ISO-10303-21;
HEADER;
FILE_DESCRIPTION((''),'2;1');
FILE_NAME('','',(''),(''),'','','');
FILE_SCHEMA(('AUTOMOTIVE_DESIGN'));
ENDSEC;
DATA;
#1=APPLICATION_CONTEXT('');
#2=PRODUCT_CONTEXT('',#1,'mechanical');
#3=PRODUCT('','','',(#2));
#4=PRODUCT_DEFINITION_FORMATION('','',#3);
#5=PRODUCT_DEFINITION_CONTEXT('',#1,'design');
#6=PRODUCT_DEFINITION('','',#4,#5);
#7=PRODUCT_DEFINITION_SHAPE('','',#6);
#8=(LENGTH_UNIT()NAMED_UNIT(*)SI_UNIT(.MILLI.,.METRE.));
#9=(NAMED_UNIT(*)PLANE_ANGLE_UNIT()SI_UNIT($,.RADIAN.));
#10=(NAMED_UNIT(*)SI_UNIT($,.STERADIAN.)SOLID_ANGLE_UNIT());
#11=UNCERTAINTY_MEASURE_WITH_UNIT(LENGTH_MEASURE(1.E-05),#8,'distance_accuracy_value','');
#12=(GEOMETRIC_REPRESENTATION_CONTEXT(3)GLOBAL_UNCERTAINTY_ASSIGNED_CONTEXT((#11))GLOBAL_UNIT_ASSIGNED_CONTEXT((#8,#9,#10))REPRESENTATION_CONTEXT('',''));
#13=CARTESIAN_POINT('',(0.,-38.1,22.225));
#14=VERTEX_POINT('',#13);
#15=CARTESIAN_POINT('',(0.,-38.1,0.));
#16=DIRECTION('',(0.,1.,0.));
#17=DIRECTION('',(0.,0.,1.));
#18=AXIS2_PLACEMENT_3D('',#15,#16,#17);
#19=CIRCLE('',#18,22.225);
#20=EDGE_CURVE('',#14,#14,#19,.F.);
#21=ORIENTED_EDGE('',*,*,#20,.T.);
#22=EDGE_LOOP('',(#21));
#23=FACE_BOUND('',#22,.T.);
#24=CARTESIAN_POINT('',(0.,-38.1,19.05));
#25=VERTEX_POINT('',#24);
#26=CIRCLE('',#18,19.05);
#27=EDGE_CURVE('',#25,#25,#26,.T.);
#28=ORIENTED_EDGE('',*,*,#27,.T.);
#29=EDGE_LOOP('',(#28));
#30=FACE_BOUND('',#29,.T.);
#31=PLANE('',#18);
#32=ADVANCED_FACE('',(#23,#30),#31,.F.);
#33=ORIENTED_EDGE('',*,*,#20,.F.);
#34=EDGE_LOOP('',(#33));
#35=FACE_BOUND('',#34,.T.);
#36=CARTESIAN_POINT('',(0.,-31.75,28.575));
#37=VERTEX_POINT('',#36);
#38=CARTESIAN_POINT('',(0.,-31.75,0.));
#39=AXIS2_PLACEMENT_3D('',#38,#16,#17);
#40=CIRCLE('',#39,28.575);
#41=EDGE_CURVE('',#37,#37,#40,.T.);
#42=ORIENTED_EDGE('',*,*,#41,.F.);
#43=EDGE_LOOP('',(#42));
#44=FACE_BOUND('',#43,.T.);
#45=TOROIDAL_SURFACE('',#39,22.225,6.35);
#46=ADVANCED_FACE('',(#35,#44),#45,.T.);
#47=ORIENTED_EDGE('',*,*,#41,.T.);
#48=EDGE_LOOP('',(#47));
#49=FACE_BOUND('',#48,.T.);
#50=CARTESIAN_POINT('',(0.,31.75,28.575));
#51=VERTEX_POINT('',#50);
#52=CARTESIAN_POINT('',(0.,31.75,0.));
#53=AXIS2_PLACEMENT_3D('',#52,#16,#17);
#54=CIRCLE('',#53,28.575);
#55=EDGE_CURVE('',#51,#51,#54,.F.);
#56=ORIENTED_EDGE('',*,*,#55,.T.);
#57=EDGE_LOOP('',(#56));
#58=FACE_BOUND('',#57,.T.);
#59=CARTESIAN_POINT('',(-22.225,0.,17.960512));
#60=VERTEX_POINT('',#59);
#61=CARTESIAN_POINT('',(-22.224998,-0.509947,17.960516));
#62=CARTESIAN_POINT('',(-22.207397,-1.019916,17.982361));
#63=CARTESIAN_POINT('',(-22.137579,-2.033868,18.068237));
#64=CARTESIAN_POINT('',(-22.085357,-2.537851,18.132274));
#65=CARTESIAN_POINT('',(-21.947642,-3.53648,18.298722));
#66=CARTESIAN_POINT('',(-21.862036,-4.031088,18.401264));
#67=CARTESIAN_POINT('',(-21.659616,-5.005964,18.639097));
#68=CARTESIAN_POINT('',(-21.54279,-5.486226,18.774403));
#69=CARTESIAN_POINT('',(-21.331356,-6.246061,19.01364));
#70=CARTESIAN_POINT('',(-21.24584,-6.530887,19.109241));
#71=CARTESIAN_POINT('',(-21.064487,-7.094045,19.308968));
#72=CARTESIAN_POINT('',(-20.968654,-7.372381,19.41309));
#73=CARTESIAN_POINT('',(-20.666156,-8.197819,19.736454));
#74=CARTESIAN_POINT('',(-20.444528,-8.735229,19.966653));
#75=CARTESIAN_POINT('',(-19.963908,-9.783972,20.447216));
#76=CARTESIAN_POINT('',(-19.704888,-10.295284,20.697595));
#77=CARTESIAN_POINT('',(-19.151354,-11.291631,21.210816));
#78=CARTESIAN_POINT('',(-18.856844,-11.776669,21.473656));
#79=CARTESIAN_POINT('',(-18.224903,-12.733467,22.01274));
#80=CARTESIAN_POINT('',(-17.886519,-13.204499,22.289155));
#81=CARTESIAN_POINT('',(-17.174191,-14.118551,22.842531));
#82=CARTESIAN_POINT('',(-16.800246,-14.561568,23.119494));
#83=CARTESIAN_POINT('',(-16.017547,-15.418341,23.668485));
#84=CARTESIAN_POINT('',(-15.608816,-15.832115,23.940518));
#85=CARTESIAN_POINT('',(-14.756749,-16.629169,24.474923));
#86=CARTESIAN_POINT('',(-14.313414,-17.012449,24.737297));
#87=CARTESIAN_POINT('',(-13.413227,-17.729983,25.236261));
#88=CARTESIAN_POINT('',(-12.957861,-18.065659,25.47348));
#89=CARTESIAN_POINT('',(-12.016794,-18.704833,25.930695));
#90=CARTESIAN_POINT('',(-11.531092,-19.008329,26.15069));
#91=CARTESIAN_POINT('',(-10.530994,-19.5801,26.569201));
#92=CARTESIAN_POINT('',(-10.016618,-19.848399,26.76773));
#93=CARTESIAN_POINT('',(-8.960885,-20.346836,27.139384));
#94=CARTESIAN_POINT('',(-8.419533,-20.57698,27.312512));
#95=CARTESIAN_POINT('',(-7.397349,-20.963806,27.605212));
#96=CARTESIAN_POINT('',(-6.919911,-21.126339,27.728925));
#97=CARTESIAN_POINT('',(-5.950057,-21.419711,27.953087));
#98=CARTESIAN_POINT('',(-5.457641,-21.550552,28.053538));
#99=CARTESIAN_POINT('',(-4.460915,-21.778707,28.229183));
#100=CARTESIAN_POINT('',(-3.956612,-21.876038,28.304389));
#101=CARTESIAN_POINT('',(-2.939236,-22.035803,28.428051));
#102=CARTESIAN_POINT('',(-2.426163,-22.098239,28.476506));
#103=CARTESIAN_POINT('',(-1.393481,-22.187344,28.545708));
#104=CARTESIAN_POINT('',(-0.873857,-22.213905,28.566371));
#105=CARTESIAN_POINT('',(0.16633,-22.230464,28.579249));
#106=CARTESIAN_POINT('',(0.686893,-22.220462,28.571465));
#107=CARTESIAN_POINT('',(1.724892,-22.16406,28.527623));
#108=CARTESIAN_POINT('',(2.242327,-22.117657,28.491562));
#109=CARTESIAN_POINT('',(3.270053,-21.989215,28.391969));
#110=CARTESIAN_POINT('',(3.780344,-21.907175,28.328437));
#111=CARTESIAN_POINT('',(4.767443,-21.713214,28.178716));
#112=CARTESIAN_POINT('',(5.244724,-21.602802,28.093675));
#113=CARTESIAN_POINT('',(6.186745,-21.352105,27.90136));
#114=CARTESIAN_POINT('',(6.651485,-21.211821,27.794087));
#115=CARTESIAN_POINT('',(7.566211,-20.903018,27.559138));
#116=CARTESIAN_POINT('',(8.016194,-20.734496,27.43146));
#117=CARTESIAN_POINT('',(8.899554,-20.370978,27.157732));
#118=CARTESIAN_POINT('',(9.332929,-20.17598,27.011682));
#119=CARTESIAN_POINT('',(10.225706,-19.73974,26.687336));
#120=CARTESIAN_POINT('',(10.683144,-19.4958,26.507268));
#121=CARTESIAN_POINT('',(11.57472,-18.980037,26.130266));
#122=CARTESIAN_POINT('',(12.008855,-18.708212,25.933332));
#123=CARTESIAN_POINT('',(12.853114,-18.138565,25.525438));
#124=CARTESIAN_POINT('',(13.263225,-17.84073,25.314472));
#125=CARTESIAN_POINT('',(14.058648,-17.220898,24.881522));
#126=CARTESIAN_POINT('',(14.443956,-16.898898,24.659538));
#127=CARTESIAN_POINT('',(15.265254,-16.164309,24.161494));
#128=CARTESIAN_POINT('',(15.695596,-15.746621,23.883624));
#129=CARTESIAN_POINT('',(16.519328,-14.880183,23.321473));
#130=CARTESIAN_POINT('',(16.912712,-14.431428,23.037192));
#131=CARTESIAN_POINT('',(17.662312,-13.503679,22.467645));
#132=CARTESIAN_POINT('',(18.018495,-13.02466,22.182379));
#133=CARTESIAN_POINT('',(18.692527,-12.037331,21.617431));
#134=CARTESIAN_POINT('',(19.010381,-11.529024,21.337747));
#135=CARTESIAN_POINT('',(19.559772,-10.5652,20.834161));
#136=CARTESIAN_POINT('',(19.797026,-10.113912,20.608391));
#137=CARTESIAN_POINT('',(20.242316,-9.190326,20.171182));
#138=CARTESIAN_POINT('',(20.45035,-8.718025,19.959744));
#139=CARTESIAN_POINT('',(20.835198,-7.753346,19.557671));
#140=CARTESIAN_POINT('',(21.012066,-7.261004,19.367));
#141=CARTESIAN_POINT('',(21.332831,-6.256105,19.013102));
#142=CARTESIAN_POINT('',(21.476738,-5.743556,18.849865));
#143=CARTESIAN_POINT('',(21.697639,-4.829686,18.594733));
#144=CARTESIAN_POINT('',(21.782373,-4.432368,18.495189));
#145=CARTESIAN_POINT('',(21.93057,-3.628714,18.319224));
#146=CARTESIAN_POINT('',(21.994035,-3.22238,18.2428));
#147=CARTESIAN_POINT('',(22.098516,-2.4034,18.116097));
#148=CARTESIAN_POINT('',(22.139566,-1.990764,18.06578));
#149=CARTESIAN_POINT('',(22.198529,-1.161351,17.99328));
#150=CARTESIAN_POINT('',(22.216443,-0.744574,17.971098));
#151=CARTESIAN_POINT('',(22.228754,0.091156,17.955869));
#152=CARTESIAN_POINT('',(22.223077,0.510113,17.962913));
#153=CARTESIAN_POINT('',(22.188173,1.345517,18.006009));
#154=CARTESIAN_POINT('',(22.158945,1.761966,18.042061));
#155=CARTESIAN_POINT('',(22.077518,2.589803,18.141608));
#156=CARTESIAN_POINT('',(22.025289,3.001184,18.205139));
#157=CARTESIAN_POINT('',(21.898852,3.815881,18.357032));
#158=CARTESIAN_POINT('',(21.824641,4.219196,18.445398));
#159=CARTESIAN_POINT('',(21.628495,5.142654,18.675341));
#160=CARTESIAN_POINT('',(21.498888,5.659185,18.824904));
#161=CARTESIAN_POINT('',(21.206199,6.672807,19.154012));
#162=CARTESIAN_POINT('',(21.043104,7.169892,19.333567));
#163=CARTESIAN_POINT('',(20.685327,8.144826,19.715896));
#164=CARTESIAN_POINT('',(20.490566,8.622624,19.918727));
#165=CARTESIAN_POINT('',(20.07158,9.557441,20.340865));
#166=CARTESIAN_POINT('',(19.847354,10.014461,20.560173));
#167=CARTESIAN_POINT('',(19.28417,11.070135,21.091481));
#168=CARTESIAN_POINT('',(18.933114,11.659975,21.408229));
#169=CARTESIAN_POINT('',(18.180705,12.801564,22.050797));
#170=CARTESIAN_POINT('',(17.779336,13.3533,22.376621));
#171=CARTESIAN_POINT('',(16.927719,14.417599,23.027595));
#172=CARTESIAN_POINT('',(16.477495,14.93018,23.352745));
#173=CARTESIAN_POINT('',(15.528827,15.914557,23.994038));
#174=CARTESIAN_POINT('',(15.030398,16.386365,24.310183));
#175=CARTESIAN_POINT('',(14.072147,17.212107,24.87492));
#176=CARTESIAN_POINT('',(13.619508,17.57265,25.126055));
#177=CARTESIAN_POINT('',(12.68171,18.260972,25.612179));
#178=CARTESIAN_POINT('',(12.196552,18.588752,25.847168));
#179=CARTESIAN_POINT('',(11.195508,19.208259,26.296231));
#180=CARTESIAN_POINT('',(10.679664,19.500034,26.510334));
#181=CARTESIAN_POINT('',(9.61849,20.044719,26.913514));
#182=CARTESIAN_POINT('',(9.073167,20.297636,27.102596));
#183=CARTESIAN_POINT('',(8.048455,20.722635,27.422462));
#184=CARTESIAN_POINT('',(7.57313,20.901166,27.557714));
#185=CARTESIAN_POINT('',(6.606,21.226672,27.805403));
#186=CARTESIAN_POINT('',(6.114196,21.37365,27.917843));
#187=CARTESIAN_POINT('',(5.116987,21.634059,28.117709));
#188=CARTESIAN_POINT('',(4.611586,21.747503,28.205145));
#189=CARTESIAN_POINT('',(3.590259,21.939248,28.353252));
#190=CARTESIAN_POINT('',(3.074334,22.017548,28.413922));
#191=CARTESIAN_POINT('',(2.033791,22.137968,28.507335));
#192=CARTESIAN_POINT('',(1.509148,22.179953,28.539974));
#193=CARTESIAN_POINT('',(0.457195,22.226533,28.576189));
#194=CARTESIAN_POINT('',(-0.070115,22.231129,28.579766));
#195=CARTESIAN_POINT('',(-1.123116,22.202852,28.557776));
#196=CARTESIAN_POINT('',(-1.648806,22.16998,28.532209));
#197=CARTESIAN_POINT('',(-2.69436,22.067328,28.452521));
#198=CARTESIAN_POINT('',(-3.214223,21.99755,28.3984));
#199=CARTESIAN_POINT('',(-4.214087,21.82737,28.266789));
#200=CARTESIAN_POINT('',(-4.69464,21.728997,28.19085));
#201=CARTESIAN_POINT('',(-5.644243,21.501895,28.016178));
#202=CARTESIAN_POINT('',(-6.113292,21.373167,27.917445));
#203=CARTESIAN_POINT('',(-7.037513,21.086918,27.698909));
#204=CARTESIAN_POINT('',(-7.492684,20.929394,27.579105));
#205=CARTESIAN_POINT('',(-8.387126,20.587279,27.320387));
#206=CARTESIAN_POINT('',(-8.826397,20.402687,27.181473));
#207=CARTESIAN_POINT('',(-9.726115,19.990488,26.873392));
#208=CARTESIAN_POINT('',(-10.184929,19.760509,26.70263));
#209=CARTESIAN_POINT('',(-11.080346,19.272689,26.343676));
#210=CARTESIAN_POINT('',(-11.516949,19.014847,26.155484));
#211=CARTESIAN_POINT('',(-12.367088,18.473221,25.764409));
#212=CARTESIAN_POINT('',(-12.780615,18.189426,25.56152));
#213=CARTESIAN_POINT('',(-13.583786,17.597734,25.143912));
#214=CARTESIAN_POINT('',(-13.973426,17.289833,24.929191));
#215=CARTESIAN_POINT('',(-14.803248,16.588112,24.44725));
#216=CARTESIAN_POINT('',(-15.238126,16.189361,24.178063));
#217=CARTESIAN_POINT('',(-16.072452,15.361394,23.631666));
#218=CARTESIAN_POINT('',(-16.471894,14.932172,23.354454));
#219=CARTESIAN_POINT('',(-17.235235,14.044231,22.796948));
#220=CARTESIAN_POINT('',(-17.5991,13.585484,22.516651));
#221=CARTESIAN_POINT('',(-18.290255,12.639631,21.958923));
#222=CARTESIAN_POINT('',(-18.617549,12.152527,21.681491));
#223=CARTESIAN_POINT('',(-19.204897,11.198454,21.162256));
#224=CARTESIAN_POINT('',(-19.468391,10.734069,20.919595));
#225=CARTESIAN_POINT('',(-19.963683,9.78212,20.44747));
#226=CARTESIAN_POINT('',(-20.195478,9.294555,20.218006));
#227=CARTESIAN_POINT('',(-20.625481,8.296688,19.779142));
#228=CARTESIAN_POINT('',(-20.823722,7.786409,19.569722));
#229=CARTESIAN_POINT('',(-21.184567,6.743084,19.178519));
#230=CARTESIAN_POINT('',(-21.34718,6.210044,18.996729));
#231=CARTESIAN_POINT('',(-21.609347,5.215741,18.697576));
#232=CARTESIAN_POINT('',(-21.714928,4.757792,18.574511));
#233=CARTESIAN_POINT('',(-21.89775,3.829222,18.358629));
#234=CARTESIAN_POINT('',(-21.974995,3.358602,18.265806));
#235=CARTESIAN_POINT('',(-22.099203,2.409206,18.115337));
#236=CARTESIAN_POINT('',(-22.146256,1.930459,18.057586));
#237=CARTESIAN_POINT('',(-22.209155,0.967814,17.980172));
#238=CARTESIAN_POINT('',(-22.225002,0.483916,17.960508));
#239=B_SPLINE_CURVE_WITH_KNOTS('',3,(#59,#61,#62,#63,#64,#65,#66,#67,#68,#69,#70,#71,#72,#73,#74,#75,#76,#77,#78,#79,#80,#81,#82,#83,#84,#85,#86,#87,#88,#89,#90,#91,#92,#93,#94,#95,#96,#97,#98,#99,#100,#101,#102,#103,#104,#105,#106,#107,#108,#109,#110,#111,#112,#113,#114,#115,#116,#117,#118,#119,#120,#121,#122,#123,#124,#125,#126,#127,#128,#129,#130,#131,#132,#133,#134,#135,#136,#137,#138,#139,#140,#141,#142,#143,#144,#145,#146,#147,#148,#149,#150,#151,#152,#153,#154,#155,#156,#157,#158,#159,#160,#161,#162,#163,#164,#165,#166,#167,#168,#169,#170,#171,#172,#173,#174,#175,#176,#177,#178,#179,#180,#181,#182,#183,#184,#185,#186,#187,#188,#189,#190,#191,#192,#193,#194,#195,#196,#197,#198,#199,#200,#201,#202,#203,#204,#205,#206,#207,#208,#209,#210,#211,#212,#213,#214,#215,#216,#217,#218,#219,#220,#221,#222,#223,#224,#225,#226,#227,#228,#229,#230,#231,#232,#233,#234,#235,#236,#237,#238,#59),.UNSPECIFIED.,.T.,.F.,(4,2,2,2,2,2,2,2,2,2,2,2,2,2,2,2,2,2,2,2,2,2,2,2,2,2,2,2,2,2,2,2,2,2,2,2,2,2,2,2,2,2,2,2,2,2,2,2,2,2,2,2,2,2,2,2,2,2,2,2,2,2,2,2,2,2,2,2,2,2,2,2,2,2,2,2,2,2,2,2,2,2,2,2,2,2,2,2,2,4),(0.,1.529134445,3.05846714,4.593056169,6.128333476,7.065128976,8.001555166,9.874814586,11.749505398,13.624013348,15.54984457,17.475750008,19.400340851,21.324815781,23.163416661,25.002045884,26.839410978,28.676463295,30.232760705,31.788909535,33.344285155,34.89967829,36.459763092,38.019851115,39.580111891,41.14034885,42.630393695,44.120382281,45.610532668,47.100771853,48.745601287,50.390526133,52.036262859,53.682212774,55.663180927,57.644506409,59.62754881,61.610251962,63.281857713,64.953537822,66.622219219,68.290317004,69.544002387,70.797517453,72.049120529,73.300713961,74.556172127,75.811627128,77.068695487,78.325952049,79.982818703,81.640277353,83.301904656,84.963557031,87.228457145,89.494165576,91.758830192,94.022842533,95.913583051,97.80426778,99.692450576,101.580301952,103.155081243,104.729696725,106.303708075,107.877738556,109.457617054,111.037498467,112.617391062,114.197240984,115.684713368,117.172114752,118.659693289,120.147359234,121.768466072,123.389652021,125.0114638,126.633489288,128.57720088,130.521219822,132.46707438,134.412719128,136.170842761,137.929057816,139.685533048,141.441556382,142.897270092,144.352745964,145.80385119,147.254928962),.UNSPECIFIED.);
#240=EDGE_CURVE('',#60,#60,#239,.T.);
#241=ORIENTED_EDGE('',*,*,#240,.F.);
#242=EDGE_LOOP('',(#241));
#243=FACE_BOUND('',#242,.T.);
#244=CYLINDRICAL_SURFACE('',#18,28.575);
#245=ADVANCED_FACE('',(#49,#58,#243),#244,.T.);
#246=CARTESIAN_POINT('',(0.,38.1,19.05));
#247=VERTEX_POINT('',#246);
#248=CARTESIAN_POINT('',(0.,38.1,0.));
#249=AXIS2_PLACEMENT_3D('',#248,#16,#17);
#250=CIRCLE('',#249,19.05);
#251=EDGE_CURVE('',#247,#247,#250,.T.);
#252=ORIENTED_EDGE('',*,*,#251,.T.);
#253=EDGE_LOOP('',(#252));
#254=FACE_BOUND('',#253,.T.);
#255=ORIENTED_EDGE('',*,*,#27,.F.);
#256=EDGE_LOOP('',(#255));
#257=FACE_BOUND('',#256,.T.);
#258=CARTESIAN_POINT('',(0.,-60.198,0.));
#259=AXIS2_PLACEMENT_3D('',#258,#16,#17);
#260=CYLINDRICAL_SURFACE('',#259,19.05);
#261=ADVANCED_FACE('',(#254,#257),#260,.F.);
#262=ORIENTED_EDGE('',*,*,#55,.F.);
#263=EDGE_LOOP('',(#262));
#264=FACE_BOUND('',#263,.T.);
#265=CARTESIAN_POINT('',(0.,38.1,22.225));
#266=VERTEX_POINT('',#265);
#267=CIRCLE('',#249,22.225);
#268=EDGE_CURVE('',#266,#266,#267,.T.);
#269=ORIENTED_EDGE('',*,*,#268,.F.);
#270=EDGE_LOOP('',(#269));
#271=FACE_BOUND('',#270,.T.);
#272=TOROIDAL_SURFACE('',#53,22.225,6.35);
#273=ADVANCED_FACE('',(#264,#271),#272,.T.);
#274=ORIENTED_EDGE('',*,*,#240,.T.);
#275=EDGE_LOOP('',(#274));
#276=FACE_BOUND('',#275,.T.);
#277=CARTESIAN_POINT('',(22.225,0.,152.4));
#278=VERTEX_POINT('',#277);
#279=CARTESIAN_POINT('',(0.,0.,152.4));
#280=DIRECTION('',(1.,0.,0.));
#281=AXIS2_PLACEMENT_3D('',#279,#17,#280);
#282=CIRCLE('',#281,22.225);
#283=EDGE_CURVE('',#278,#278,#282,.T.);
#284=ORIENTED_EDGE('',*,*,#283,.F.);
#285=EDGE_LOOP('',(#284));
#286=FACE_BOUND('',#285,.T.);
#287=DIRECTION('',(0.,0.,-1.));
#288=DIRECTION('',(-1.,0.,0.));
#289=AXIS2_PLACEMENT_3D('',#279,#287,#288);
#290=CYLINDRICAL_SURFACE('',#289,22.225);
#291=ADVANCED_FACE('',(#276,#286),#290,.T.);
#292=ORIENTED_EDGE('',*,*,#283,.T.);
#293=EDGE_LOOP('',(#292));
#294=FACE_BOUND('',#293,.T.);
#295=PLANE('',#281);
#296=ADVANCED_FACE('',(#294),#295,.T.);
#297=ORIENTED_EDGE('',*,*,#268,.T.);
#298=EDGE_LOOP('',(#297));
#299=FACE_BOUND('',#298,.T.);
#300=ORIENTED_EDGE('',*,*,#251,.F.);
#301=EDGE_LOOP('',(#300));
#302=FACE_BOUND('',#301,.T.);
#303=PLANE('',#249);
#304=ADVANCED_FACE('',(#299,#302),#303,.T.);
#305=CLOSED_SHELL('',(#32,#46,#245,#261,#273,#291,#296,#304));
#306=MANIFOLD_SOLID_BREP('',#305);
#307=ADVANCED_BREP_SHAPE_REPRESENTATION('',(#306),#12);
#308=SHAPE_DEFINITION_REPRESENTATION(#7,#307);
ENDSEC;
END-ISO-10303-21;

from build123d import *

# Parameters (mm, degrees)
SKETCH2_R                = 22.225
BOSS_EXTRUDE1_DEPTH      = 152.4
BOSS_EXTRUDE2_DEPTH      = 38.1
BOSS_EXTRUDE2_DEPTH_BACK = 38.1
SKETCH3_R                = 28.575
SKETCH4_R                = 19.05
CUT_EXTRUDE1_DEPTH       = 98.298
FILLET1_R                = 6.35


with BuildPart() as part:
    # Sketch2 → Boss-Extrude1 (new body)
    with BuildSketch(Plane.XY):
        Circle(SKETCH2_R)
    extrude(amount=BOSS_EXTRUDE1_DEPTH)

    # Sketch3 → Boss-Extrude2 (add, two sides: drawn at the far end of the back side and taken through both)
    with BuildSketch(Plane(origin=(0, 0, 0), x_dir=(1, 0, 0), z_dir=(0, 1, 0)).offset(-BOSS_EXTRUDE2_DEPTH_BACK)):
        Circle(SKETCH3_R)
    extrude(amount=BOSS_EXTRUDE2_DEPTH + BOSS_EXTRUDE2_DEPTH_BACK)

    # Sketch4 → Cut-Extrude1 (cut)
    with BuildSketch(Plane(origin=(0, 38.1, 0), x_dir=(1, 0, 0), z_dir=(0, 1, 0))):
        Circle(SKETCH4_R)
    extrude(amount=-CUT_EXTRUDE1_DEPTH, mode=Mode.SUBTRACT)

    # Fillet1
    fillet1_edges = [part.edges().sort_by_distance(p)[0] for p in [
        (-28.575, -38.1, 0),
        (-28.575, 38.1, 0),
    ]]
    fillet(fillet1_edges, radius=FILLET1_R)


solid = part.part
